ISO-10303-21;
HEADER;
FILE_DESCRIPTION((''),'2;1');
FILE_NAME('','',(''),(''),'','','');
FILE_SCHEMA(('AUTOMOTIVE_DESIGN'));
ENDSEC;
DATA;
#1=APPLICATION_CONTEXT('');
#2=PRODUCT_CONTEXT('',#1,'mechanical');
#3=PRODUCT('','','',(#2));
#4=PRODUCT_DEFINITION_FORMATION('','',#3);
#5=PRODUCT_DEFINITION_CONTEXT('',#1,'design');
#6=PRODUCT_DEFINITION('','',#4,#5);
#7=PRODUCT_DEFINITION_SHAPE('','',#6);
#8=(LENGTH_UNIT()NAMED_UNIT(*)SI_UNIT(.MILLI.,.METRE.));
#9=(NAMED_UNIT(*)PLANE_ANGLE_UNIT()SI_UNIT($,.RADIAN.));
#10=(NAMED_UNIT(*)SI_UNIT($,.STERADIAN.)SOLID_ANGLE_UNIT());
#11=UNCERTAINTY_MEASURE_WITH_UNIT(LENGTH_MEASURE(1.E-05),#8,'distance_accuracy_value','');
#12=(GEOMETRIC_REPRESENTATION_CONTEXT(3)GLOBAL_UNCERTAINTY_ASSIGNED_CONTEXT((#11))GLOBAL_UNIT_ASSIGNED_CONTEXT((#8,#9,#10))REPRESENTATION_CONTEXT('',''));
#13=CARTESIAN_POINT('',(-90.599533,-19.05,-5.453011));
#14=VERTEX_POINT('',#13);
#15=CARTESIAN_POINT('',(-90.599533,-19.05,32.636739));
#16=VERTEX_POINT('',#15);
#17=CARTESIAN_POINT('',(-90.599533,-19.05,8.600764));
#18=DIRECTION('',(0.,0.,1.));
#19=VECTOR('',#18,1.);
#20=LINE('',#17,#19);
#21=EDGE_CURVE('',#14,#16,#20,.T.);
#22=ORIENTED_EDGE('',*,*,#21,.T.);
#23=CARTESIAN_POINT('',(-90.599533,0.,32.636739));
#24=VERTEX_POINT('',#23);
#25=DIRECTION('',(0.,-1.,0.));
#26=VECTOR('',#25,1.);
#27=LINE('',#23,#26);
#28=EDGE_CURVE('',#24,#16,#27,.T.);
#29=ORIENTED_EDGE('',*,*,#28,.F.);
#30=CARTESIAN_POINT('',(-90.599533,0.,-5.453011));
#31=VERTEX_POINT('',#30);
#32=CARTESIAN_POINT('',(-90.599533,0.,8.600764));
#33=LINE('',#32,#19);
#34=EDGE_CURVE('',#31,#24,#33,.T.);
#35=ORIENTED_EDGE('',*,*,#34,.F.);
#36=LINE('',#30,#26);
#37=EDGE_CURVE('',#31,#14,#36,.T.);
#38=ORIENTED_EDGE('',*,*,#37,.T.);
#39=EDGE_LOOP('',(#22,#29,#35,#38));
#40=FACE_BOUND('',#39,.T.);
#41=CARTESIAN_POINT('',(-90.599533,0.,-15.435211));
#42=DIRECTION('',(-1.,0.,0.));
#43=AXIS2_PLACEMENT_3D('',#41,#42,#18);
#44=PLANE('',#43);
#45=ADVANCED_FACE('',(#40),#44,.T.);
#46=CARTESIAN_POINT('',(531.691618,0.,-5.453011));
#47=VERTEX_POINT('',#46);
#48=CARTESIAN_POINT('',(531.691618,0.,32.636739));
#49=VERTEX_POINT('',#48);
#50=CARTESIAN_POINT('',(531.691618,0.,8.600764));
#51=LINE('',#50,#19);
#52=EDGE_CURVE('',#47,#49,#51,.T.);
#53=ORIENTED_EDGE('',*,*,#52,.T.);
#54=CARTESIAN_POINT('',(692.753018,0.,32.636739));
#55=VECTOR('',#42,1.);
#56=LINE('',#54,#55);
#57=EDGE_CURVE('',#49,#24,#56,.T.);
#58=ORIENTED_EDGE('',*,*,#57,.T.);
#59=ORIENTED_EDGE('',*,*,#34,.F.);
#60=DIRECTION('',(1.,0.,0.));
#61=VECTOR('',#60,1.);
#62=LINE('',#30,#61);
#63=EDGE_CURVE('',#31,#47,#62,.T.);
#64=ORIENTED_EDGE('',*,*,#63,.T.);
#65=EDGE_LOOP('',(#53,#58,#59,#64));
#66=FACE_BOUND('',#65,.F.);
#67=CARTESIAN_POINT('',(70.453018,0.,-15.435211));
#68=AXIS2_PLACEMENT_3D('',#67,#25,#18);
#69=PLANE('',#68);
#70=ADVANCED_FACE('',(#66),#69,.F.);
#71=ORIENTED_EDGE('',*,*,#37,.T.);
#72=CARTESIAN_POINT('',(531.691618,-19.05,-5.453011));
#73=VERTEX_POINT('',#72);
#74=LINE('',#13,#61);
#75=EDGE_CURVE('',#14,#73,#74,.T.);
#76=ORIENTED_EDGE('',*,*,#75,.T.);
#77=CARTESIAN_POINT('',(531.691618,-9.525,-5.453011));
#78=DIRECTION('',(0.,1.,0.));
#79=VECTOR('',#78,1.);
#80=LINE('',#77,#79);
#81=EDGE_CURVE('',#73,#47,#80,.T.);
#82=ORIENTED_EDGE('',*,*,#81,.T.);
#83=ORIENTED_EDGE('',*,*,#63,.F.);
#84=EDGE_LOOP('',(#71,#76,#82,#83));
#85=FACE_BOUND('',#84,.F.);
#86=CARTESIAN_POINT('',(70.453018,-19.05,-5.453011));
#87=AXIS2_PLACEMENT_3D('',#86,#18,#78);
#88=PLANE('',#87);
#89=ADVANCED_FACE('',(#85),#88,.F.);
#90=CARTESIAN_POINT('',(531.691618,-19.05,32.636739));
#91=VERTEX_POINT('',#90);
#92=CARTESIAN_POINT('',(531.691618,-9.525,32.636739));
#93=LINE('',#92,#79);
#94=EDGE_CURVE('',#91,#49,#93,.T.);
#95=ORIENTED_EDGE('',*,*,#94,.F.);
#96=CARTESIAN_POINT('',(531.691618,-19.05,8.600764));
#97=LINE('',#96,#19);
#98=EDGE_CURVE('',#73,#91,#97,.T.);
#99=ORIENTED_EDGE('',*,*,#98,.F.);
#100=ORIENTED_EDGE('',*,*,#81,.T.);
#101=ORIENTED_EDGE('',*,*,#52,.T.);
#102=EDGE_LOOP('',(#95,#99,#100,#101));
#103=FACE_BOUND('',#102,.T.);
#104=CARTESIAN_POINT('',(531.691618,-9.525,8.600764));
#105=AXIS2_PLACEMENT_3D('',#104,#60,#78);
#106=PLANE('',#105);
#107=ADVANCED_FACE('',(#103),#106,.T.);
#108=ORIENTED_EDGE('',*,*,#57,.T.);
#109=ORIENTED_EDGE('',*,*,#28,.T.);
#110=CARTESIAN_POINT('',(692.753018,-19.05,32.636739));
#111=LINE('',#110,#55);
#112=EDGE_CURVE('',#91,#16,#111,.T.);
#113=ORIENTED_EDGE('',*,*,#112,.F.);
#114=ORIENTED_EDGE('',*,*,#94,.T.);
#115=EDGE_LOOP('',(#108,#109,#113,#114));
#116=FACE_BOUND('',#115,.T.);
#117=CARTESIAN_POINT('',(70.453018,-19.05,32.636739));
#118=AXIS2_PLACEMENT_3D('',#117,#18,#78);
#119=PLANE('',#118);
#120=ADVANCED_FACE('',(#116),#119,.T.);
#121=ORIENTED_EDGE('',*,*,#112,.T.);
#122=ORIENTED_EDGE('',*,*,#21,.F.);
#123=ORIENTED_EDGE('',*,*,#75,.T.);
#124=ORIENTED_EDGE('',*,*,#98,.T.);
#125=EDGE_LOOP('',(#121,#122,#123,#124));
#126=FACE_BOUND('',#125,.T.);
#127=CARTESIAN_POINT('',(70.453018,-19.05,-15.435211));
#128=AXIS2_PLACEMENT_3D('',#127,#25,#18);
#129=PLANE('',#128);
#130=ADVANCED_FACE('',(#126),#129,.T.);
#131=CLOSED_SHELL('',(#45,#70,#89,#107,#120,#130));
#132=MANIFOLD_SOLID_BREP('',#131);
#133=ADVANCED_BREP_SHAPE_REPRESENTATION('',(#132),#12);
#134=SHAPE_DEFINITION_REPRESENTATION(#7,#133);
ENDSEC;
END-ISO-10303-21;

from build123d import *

# Parameters (mm, degrees)
F0_W     = 161.0525511205
F0_H     = 48.0719506741
F1_DEPTH = 19.05
F2_W     = 19.05
F2_H     = 48.0719506741
F3_DEPTH = 622.3
F4_DEPTH = 161.0614
F5_DEPTH = 9.9822


with BuildPart() as f1:
    # F0 (on Front) → F1 (new body)
    with BuildSketch(Plane.XZ):
        with Locations((-10.0732576102, 8.6007639766)):
            Rectangle(F0_W, F0_H)
    extrude(amount=F1_DEPTH)

    # F2 (on face) → F3 (join)
    with BuildSketch(Plane.YZ.offset(70.4530179501)):
        with Locations((-9.525, 8.6007639766)):
            Rectangle(F2_W, F2_H)
    extrude(amount=F3_DEPTH)

    # F4 (cut): a face of the model
    f4_faces = [f1.faces().sort_by_distance(p)[0] for p in [
        (692.7530179501, -9.525, 8.6007639766),
    ]]
    extrude(f4_faces, amount=-F4_DEPTH, mode=Mode.SUBTRACT)

    # F5 (cut): a face of the model
    f5_faces = [f1.faces().sort_by_distance(p)[0] for p in [
        (220.5460423898, -9.525, -15.4352113605),
    ]]
    extrude(f5_faces, amount=-F5_DEPTH, mode=Mode.SUBTRACT)


solid = f1.part
